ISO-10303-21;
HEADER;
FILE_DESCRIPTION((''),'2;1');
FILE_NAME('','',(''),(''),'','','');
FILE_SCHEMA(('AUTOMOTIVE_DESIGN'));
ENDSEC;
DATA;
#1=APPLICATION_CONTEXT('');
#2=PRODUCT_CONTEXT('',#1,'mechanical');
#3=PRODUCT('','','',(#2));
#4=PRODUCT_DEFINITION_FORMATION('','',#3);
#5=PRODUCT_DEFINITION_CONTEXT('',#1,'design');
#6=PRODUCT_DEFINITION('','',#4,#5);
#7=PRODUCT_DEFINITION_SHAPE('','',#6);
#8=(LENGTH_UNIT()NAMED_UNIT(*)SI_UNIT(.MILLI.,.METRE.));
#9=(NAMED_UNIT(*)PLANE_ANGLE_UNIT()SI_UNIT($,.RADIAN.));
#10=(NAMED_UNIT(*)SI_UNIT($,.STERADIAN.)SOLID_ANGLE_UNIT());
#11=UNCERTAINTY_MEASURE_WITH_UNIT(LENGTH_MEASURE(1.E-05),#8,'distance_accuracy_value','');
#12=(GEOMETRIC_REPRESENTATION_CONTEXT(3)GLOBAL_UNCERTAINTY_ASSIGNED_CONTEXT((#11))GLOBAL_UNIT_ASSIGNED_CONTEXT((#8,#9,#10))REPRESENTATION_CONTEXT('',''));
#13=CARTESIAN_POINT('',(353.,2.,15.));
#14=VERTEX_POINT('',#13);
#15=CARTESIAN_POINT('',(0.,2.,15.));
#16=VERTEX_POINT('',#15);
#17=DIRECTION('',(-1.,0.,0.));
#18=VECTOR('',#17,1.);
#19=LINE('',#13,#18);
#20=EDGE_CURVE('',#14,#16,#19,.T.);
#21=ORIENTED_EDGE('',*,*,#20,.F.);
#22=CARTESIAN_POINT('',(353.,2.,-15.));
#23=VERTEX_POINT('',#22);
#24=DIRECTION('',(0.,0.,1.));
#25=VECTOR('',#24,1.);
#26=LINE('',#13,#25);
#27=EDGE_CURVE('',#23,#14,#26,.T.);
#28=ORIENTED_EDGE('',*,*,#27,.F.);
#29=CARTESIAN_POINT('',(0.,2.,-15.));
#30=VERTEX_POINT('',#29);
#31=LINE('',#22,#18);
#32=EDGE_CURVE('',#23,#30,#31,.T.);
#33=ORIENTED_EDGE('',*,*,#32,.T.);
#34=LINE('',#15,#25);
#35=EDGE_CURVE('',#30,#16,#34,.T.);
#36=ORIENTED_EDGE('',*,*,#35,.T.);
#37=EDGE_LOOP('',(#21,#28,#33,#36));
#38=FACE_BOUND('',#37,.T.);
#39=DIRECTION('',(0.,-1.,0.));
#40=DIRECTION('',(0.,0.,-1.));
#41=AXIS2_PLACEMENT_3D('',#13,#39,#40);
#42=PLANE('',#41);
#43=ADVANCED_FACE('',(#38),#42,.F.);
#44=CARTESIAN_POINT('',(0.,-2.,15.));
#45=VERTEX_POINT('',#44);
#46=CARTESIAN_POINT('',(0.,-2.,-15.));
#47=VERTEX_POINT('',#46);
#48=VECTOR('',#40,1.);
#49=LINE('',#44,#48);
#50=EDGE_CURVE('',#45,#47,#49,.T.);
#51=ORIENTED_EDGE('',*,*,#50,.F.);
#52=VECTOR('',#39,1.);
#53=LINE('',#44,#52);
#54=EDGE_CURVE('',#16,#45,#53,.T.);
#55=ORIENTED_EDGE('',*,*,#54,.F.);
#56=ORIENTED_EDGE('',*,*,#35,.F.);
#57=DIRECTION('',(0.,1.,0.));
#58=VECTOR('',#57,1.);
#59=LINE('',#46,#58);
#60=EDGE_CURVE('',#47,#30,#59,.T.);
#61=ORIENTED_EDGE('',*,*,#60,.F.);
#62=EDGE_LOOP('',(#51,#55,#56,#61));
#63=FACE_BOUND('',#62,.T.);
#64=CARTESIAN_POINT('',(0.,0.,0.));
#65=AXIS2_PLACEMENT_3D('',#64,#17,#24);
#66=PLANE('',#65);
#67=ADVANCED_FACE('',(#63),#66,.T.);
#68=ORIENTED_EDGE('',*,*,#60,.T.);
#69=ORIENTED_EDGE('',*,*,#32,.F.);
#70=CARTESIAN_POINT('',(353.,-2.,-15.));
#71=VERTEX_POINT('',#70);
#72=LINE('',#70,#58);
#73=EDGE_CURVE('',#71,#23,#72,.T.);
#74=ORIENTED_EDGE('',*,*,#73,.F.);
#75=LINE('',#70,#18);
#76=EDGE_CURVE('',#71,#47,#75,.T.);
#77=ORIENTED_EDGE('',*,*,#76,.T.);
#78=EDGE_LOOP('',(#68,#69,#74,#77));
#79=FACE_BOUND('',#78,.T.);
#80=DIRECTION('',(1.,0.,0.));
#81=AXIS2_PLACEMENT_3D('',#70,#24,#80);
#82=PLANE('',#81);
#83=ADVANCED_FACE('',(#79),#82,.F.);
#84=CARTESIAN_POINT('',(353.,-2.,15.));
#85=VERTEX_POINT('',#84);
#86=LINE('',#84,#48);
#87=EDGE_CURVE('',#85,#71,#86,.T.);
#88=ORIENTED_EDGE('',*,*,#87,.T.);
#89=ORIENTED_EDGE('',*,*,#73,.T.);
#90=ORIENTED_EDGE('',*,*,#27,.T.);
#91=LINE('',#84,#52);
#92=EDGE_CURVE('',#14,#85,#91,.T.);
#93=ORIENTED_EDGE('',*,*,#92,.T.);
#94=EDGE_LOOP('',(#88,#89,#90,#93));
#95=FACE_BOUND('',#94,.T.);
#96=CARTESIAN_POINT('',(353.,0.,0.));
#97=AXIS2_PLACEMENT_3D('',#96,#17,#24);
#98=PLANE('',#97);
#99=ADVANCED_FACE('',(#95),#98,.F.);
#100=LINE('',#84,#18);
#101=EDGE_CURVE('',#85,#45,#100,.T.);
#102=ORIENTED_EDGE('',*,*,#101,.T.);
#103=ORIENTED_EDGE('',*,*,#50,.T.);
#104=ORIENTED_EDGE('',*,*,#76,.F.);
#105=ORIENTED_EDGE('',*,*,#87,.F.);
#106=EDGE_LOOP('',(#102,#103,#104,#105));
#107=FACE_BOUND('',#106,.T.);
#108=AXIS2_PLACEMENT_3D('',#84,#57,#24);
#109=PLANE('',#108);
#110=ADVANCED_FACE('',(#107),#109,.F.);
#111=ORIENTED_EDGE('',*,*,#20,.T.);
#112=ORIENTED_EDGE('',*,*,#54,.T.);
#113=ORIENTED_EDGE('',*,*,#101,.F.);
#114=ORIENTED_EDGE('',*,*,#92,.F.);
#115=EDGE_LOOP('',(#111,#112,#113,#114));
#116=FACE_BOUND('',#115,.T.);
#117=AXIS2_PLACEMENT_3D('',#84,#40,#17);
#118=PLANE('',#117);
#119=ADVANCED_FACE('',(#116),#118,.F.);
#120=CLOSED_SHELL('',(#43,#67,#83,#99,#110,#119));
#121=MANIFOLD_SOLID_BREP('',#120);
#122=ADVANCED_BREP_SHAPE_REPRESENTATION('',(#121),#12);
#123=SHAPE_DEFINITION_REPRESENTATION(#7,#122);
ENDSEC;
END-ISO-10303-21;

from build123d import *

# Parameters (mm, degrees)
SKETCH_1_W      = 30
SKETCH_1_H      = 4
EXTRUDE_1_DEPTH = 353


with BuildPart() as part:
    # Эскиз1 → Бобышка-Вытянуть1 (new body)
    with BuildSketch(Plane(origin=(0, 0, 0), x_dir=(0, 0, -1), z_dir=(1, 0, 0))):
        Rectangle(SKETCH_1_W, SKETCH_1_H)
    extrude(amount=EXTRUDE_1_DEPTH)


solid = part.part
